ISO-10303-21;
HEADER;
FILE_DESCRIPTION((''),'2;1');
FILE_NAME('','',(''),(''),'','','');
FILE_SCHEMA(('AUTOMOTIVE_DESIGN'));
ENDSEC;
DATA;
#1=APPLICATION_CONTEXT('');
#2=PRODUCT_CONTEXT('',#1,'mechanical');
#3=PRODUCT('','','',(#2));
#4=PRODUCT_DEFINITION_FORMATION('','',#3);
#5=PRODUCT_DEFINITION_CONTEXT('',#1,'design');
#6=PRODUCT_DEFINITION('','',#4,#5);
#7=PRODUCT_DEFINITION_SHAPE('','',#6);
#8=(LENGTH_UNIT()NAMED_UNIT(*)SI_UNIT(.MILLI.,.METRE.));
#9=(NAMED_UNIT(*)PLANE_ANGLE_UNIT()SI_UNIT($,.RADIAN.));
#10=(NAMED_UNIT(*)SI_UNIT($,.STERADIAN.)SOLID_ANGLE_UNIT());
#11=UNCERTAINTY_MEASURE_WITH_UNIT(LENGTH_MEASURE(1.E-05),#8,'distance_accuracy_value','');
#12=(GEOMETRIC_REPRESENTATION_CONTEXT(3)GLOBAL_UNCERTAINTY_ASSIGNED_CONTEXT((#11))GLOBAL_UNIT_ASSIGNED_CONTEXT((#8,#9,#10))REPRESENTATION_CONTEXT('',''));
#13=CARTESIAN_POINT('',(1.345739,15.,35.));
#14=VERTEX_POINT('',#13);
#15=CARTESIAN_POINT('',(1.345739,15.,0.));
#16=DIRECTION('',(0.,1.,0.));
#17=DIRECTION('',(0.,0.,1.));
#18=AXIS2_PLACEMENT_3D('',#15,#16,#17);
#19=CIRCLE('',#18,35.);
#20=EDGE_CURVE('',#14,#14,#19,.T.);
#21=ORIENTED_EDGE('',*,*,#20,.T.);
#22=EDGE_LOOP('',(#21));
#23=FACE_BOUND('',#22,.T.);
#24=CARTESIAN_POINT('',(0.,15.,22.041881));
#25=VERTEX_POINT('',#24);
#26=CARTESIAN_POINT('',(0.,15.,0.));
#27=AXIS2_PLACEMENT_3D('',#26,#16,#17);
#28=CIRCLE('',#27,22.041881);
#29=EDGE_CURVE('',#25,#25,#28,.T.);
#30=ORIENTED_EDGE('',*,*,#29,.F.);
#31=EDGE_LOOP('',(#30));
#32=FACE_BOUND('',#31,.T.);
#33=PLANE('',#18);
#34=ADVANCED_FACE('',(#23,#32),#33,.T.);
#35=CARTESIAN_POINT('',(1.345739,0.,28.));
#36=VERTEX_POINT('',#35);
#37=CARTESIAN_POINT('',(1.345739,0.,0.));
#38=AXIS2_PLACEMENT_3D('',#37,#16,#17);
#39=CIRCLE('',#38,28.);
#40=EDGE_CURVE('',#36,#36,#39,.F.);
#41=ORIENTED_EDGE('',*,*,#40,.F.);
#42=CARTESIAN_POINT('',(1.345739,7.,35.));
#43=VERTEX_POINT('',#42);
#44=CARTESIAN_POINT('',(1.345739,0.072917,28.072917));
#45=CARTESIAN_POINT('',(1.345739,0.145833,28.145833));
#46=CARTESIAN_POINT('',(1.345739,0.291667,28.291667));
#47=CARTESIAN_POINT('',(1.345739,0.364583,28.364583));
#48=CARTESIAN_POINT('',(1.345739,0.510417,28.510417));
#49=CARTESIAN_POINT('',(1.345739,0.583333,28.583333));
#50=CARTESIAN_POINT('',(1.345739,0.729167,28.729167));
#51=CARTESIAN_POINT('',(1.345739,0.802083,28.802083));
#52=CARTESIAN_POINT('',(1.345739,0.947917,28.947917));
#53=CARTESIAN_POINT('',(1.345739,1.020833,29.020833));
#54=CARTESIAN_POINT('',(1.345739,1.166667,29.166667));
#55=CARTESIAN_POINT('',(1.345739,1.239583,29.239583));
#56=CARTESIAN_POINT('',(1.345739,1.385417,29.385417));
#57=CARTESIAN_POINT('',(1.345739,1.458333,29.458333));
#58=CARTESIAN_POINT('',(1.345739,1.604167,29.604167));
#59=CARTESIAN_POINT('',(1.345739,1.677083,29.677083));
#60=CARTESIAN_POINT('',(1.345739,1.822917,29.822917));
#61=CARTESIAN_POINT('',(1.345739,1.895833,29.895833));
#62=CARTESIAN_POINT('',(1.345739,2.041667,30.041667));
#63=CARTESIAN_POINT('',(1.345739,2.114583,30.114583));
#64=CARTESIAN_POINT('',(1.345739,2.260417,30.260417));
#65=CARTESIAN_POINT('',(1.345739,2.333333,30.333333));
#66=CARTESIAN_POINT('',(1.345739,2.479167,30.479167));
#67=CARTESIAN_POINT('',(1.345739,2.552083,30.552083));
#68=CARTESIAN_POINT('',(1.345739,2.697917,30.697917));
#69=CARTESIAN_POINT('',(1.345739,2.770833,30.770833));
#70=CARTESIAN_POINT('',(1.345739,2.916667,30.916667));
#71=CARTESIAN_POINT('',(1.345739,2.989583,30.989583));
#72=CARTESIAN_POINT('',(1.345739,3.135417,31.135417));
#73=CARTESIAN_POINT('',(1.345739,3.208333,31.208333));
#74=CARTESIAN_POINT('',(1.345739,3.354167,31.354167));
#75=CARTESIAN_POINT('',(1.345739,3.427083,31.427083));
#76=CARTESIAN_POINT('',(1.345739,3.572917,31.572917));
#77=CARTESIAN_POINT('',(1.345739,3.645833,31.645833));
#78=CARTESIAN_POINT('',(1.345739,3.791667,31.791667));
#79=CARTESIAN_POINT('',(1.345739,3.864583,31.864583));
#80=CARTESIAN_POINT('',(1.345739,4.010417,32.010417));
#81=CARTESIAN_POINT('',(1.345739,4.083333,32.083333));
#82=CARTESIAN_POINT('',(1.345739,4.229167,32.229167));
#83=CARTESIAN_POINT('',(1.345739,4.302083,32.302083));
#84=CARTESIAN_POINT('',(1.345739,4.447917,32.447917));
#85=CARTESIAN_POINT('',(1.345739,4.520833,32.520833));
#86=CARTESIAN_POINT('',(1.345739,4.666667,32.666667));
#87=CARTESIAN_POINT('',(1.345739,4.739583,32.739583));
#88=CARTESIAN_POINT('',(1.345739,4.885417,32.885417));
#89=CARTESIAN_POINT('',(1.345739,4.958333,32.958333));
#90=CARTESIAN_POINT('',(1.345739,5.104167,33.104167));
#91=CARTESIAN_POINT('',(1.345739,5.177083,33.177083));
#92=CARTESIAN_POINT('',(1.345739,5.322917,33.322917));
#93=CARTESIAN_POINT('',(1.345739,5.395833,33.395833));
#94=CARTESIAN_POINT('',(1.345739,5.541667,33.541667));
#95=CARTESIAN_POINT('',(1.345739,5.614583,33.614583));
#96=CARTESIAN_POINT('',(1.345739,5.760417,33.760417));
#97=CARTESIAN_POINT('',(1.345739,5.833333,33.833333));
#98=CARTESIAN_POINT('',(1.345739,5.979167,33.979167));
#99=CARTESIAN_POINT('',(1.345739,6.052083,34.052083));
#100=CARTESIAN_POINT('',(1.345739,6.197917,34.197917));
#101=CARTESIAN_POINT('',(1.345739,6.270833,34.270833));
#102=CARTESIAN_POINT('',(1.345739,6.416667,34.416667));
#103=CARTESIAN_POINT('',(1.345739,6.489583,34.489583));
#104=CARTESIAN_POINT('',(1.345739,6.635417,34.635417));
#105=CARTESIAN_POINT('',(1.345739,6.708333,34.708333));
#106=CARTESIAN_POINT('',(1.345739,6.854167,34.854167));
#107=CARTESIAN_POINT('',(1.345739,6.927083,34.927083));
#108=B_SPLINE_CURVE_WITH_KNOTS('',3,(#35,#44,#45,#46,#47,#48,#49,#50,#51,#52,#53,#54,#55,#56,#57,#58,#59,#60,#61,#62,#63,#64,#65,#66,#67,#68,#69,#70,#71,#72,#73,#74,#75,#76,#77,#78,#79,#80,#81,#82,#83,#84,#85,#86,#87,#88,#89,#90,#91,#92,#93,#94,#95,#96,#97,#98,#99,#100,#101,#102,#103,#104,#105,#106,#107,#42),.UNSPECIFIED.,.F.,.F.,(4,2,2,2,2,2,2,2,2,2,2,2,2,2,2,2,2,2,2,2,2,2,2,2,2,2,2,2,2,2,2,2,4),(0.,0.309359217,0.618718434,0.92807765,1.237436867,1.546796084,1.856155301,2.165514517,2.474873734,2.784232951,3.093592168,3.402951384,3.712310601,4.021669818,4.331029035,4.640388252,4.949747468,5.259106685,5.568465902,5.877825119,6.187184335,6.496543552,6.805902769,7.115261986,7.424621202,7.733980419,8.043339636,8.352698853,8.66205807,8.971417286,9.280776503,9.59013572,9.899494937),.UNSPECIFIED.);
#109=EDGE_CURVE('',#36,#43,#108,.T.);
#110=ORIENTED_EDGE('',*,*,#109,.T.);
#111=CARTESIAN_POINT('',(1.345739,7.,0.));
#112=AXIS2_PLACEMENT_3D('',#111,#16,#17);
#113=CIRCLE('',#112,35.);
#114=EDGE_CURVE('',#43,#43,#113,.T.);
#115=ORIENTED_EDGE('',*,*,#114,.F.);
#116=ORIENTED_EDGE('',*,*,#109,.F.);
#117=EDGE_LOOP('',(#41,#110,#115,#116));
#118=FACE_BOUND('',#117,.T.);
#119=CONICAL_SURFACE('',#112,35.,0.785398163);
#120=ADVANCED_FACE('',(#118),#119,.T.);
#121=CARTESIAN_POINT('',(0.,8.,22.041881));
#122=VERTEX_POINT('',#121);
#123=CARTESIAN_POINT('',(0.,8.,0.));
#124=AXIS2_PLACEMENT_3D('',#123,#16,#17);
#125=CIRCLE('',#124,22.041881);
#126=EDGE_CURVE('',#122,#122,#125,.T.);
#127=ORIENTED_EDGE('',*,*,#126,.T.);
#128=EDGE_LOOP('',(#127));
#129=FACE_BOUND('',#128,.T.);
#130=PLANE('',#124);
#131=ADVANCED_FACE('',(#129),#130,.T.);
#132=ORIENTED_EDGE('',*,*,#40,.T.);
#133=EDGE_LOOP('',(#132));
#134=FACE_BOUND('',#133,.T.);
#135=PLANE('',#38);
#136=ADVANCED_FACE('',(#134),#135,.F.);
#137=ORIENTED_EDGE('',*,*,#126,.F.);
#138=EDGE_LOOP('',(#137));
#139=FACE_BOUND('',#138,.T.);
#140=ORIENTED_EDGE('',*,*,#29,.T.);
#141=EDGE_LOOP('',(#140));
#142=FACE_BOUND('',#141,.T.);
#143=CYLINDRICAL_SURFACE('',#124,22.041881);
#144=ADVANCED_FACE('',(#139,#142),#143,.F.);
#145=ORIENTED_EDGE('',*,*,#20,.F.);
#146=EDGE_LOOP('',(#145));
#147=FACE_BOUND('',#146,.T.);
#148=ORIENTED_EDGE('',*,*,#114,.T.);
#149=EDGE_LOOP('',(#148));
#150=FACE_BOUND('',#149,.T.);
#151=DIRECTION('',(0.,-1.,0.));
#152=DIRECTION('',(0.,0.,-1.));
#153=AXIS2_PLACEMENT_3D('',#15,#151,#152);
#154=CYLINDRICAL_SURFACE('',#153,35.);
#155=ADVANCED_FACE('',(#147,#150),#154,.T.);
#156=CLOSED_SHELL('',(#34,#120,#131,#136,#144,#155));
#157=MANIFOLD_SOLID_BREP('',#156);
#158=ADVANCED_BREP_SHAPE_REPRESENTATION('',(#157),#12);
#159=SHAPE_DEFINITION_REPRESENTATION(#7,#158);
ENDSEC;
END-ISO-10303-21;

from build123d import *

# Parameters (mm, degrees)
SKETCH1_R           = 35
BOSS_EXTRUDE1_DEPTH = 15
CHAMFER2_SIZE       = 7
SKETCH2_R           = 22.041880944
CUT_EXTRUDE1_DEPTH  = 7


with BuildPart() as part:
    # Sketch1 → Boss-Extrude1 (new body)
    with BuildSketch(Plane(origin=(0, 0, 0), x_dir=(1, 0, 0), z_dir=(0, 1, 0))):
        with Locations(Location((1.345738872, 0, 0), (0, 0, 270))):
            Circle(SKETCH1_R)
    extrude(amount=BOSS_EXTRUDE1_DEPTH)

    # Chamfer2
    chamfer2_edges = [part.edges().sort_by_distance(p)[0] for p in [
        (1.345738872, 0, -35),
    ]]
    chamfer(chamfer2_edges, length=CHAMFER2_SIZE)

    # Sketch2 → Cut-Extrude1 (cut)
    with BuildSketch(Plane(origin=(0, 15, 0), x_dir=(1, 0, 0), z_dir=(0, 1, 0))):
        with Locations(Location((0, 0, 0), (0, 0, 270))):
            Circle(SKETCH2_R)
    extrude(amount=-CUT_EXTRUDE1_DEPTH, mode=Mode.SUBTRACT)


solid = part.part
